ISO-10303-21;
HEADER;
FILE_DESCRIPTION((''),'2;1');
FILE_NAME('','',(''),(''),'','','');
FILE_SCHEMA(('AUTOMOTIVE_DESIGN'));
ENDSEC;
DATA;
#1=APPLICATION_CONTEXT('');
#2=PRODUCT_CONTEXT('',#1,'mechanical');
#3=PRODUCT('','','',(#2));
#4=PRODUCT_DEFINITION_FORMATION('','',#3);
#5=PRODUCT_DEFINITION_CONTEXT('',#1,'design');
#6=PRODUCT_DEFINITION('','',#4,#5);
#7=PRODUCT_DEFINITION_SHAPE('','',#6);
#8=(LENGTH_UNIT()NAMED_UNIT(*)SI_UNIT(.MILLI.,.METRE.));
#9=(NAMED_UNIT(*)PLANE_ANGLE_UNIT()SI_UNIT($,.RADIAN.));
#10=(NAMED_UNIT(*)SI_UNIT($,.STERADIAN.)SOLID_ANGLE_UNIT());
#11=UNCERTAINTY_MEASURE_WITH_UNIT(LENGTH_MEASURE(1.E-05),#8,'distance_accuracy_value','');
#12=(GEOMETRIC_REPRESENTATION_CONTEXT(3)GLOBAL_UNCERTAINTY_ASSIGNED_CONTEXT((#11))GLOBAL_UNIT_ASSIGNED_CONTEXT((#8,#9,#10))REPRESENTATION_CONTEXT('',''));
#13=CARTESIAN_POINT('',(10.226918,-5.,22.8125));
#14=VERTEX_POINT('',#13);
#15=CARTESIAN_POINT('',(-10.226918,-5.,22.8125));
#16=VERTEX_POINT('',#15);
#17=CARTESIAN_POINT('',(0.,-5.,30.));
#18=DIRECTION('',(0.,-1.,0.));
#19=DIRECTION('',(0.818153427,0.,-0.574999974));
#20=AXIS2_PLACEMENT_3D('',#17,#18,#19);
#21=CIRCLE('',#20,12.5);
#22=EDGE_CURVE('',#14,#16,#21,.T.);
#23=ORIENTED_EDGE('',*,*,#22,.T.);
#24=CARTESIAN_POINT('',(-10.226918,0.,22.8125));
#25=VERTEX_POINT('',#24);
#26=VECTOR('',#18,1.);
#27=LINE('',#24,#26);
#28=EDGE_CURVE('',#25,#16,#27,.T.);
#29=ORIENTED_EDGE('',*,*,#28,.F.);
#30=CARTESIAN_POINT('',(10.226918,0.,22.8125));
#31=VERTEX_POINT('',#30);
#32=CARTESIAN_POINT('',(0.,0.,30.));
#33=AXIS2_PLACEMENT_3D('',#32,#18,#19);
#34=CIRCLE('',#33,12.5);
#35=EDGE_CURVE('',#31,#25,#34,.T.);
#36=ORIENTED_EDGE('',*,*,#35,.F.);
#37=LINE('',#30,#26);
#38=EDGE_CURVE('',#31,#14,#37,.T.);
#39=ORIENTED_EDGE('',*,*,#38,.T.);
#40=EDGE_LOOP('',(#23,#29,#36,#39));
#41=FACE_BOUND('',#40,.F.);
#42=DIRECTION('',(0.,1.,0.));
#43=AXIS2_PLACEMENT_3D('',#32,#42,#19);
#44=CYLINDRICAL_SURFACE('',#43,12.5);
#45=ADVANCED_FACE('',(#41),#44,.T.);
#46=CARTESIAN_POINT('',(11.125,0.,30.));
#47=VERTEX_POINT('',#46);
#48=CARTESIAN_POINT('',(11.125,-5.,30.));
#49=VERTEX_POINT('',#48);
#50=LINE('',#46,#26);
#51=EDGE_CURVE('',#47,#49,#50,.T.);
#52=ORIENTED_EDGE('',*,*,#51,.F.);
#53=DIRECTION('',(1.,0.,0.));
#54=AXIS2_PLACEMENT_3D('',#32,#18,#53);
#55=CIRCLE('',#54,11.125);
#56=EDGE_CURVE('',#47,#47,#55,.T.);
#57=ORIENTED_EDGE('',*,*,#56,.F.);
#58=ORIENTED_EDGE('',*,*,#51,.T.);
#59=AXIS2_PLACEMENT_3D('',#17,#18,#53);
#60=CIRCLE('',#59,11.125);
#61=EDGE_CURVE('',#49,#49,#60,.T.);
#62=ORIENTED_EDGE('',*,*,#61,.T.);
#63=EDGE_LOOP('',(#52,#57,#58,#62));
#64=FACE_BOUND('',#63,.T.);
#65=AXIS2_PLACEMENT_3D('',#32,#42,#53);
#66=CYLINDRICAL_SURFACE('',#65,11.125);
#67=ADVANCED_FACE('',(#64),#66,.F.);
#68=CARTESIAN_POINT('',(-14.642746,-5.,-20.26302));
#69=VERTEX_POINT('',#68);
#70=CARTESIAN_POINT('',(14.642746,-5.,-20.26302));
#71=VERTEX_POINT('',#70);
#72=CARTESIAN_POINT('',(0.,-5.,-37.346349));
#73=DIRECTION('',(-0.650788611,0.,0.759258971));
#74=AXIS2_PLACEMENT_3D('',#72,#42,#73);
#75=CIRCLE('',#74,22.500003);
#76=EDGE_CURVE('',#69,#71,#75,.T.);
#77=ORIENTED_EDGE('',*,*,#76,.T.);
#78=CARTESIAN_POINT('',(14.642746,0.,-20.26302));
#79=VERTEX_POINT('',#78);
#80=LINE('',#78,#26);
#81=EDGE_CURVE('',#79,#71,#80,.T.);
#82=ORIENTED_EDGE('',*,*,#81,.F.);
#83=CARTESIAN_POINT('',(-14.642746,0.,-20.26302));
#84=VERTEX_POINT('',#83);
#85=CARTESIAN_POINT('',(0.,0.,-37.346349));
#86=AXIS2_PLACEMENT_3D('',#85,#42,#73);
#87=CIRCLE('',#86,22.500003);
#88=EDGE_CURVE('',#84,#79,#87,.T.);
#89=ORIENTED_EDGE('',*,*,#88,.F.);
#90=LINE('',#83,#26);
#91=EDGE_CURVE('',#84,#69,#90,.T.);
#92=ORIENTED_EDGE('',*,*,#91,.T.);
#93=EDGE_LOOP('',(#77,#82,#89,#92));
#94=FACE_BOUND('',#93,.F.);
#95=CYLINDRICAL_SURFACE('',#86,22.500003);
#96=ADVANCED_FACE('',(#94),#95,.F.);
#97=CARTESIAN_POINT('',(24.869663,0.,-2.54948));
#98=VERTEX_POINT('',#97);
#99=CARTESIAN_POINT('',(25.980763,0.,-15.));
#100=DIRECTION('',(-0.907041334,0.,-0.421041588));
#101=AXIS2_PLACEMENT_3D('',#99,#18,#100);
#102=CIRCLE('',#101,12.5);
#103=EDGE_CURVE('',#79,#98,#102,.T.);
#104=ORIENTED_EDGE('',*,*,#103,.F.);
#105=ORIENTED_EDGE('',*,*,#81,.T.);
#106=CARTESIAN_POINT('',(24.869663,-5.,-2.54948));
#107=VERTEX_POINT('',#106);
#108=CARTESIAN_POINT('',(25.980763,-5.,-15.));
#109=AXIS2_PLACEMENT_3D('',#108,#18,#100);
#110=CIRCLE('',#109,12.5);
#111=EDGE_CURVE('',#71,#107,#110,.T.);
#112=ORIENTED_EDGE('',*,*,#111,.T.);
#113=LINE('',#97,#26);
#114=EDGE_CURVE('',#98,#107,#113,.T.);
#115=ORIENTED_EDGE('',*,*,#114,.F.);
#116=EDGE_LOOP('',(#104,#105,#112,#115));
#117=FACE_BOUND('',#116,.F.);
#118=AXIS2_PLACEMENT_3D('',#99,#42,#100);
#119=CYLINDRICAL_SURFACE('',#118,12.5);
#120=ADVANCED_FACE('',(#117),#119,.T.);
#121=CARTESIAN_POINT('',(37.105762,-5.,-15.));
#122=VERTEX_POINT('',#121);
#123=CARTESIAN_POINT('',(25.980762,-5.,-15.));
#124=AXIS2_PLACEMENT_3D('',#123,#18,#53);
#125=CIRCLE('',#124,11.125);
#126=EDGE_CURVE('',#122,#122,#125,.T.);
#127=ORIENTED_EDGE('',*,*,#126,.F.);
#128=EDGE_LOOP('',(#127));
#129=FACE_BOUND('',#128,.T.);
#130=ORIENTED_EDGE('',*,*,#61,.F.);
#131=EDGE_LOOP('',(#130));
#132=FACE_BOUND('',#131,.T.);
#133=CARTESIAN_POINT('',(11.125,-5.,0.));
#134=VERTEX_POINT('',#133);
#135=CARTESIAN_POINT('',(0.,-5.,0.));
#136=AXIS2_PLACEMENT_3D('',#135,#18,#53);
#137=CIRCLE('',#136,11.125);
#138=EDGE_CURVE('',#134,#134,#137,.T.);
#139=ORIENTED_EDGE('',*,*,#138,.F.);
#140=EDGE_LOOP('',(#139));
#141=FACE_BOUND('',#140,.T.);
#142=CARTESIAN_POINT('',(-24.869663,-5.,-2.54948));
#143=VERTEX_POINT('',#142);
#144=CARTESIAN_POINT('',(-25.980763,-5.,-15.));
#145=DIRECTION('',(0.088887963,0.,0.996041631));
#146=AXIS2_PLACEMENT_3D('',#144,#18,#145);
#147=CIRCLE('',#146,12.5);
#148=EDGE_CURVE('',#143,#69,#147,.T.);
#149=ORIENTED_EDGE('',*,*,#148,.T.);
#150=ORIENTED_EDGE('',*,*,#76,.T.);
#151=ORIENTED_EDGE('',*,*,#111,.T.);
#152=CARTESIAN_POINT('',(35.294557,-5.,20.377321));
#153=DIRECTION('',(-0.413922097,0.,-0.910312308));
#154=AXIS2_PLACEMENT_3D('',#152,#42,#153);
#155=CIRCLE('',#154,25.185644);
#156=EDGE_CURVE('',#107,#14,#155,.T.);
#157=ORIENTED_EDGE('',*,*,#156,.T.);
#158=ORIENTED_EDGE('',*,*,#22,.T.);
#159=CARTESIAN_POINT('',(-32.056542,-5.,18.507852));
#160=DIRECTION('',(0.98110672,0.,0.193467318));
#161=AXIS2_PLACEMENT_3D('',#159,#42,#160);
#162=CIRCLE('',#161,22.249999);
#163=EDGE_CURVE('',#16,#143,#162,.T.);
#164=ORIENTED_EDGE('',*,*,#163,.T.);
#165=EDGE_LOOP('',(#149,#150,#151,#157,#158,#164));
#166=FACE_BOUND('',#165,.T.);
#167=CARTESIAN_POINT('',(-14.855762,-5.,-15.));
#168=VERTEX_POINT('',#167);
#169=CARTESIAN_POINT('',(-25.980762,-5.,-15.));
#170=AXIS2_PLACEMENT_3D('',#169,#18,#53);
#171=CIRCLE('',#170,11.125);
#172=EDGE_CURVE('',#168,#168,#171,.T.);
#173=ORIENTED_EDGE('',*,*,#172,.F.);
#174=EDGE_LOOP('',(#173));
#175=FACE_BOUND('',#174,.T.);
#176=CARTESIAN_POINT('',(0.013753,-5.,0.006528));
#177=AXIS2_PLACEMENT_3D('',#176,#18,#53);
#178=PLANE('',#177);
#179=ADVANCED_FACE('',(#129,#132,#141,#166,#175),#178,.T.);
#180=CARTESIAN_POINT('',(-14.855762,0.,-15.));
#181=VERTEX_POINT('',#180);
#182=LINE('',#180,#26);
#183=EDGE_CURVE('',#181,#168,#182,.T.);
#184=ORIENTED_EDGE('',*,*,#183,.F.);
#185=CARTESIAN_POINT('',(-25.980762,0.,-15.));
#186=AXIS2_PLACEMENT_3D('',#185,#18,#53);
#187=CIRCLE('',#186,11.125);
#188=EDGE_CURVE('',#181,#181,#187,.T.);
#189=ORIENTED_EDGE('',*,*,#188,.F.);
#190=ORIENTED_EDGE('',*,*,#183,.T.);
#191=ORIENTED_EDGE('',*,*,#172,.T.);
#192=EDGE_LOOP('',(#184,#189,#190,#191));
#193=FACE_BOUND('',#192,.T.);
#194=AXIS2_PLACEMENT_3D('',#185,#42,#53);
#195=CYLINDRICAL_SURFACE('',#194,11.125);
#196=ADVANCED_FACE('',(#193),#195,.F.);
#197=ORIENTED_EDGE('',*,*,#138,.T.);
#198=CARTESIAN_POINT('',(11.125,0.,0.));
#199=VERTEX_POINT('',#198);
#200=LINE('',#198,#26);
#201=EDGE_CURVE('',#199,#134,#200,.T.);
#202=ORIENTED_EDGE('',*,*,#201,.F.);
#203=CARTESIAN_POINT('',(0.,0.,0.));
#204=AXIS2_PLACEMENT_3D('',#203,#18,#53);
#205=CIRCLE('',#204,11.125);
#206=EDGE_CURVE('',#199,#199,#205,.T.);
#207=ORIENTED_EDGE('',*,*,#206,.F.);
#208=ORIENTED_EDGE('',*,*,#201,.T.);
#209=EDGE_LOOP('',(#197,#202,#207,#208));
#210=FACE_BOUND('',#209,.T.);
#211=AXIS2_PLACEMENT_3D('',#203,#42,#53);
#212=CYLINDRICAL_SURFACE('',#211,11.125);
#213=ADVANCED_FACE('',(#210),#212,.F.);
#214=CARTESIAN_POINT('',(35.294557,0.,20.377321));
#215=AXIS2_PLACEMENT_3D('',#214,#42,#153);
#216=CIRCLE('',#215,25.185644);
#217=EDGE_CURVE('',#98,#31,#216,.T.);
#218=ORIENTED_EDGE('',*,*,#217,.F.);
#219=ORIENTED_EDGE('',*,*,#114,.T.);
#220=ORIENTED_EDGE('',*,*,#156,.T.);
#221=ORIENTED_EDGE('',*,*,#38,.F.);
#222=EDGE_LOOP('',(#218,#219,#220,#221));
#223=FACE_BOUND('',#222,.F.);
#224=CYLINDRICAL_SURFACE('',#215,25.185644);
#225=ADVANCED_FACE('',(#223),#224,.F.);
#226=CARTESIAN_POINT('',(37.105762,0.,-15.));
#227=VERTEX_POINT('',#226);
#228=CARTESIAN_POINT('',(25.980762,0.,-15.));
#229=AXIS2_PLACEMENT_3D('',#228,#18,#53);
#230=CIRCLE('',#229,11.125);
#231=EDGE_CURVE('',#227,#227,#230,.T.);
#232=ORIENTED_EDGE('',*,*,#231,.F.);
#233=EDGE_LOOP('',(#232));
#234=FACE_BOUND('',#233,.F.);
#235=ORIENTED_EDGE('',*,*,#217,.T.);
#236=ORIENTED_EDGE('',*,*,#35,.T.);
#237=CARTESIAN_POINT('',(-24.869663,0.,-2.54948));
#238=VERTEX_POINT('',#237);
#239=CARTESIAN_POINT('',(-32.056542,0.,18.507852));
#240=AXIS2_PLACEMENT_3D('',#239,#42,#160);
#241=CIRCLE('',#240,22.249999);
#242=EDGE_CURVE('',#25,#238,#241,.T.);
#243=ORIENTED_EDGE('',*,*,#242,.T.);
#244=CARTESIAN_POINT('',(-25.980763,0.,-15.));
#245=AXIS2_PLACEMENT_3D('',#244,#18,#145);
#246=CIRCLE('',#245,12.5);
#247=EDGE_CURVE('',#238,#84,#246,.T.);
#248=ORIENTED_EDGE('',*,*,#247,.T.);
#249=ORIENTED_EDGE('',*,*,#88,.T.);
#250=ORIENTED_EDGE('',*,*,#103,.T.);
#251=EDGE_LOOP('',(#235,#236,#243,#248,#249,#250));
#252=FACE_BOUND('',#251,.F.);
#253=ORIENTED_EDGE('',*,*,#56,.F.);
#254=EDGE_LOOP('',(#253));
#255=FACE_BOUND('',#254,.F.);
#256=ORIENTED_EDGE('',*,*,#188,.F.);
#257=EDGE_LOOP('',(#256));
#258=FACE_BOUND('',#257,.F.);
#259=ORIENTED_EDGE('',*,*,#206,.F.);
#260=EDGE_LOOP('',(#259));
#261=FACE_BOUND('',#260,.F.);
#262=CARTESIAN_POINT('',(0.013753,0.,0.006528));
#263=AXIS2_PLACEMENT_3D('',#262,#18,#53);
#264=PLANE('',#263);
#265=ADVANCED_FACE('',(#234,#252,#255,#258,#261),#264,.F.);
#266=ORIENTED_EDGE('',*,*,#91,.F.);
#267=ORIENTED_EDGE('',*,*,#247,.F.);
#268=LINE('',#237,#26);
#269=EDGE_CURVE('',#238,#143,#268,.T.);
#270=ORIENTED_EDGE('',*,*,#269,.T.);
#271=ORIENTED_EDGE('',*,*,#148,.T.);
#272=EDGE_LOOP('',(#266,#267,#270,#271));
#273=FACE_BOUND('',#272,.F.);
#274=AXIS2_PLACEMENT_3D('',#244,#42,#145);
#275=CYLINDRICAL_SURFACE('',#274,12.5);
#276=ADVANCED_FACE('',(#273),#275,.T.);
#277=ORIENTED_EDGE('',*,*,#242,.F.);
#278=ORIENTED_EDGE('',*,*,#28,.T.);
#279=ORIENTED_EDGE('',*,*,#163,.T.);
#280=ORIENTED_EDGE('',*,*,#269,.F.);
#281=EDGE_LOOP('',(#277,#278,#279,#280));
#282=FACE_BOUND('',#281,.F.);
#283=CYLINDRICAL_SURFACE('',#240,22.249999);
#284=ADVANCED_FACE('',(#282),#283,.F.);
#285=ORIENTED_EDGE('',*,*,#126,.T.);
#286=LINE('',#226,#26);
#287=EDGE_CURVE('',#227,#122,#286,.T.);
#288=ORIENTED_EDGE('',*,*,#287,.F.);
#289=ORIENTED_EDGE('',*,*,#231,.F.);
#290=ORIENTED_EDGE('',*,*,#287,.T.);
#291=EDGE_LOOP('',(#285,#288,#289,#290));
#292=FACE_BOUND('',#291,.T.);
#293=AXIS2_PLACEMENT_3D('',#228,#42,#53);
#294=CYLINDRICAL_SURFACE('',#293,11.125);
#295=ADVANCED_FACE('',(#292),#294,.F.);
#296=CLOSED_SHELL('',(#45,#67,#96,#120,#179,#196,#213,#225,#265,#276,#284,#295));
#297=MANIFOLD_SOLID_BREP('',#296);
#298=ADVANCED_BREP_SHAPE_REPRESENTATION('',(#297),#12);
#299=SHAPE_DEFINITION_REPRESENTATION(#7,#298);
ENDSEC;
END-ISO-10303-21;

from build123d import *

# Parameters (mm, degrees)
F0_R     = 11.125
F1_DEPTH = 5


with BuildPart() as f1:
    # F0 (on Front) → F1 (new body)
    with BuildSketch(Plane.XZ):
        with BuildLine():
            ThreePointArc((24.869663, -2.54948), (13.48315, 7.7845), (10.226918, 22.8125))
            ThreePointArc((10.226918, 22.8125), (0, 42.5), (-10.226918, 22.8125))
            ThreePointArc((-10.226918, 22.8125), (-12.787477, 7.382853), (-24.869663, -2.54948))
            ThreePointArc((-24.869663, -2.54948), (-36.80608, -21.25), (-14.642746, -20.26302))
            ThreePointArc((-14.642746, -20.26302), (0, -14.846346), (14.642746, -20.26302))
            ThreePointArc((14.642746, -20.26302), (36.80608, -21.25), (24.869663, -2.54948))
        make_face()
        with Locations((-25.980762, -15)):
            Circle(F0_R, mode=Mode.SUBTRACT)
        with Locations((25.980762, -15)):
            Circle(F0_R, mode=Mode.SUBTRACT)
        Circle(F0_R, mode=Mode.SUBTRACT)
        with Locations((0, 30)):
            Circle(F0_R, mode=Mode.SUBTRACT)
    extrude(amount=F1_DEPTH)


solid = f1.part
